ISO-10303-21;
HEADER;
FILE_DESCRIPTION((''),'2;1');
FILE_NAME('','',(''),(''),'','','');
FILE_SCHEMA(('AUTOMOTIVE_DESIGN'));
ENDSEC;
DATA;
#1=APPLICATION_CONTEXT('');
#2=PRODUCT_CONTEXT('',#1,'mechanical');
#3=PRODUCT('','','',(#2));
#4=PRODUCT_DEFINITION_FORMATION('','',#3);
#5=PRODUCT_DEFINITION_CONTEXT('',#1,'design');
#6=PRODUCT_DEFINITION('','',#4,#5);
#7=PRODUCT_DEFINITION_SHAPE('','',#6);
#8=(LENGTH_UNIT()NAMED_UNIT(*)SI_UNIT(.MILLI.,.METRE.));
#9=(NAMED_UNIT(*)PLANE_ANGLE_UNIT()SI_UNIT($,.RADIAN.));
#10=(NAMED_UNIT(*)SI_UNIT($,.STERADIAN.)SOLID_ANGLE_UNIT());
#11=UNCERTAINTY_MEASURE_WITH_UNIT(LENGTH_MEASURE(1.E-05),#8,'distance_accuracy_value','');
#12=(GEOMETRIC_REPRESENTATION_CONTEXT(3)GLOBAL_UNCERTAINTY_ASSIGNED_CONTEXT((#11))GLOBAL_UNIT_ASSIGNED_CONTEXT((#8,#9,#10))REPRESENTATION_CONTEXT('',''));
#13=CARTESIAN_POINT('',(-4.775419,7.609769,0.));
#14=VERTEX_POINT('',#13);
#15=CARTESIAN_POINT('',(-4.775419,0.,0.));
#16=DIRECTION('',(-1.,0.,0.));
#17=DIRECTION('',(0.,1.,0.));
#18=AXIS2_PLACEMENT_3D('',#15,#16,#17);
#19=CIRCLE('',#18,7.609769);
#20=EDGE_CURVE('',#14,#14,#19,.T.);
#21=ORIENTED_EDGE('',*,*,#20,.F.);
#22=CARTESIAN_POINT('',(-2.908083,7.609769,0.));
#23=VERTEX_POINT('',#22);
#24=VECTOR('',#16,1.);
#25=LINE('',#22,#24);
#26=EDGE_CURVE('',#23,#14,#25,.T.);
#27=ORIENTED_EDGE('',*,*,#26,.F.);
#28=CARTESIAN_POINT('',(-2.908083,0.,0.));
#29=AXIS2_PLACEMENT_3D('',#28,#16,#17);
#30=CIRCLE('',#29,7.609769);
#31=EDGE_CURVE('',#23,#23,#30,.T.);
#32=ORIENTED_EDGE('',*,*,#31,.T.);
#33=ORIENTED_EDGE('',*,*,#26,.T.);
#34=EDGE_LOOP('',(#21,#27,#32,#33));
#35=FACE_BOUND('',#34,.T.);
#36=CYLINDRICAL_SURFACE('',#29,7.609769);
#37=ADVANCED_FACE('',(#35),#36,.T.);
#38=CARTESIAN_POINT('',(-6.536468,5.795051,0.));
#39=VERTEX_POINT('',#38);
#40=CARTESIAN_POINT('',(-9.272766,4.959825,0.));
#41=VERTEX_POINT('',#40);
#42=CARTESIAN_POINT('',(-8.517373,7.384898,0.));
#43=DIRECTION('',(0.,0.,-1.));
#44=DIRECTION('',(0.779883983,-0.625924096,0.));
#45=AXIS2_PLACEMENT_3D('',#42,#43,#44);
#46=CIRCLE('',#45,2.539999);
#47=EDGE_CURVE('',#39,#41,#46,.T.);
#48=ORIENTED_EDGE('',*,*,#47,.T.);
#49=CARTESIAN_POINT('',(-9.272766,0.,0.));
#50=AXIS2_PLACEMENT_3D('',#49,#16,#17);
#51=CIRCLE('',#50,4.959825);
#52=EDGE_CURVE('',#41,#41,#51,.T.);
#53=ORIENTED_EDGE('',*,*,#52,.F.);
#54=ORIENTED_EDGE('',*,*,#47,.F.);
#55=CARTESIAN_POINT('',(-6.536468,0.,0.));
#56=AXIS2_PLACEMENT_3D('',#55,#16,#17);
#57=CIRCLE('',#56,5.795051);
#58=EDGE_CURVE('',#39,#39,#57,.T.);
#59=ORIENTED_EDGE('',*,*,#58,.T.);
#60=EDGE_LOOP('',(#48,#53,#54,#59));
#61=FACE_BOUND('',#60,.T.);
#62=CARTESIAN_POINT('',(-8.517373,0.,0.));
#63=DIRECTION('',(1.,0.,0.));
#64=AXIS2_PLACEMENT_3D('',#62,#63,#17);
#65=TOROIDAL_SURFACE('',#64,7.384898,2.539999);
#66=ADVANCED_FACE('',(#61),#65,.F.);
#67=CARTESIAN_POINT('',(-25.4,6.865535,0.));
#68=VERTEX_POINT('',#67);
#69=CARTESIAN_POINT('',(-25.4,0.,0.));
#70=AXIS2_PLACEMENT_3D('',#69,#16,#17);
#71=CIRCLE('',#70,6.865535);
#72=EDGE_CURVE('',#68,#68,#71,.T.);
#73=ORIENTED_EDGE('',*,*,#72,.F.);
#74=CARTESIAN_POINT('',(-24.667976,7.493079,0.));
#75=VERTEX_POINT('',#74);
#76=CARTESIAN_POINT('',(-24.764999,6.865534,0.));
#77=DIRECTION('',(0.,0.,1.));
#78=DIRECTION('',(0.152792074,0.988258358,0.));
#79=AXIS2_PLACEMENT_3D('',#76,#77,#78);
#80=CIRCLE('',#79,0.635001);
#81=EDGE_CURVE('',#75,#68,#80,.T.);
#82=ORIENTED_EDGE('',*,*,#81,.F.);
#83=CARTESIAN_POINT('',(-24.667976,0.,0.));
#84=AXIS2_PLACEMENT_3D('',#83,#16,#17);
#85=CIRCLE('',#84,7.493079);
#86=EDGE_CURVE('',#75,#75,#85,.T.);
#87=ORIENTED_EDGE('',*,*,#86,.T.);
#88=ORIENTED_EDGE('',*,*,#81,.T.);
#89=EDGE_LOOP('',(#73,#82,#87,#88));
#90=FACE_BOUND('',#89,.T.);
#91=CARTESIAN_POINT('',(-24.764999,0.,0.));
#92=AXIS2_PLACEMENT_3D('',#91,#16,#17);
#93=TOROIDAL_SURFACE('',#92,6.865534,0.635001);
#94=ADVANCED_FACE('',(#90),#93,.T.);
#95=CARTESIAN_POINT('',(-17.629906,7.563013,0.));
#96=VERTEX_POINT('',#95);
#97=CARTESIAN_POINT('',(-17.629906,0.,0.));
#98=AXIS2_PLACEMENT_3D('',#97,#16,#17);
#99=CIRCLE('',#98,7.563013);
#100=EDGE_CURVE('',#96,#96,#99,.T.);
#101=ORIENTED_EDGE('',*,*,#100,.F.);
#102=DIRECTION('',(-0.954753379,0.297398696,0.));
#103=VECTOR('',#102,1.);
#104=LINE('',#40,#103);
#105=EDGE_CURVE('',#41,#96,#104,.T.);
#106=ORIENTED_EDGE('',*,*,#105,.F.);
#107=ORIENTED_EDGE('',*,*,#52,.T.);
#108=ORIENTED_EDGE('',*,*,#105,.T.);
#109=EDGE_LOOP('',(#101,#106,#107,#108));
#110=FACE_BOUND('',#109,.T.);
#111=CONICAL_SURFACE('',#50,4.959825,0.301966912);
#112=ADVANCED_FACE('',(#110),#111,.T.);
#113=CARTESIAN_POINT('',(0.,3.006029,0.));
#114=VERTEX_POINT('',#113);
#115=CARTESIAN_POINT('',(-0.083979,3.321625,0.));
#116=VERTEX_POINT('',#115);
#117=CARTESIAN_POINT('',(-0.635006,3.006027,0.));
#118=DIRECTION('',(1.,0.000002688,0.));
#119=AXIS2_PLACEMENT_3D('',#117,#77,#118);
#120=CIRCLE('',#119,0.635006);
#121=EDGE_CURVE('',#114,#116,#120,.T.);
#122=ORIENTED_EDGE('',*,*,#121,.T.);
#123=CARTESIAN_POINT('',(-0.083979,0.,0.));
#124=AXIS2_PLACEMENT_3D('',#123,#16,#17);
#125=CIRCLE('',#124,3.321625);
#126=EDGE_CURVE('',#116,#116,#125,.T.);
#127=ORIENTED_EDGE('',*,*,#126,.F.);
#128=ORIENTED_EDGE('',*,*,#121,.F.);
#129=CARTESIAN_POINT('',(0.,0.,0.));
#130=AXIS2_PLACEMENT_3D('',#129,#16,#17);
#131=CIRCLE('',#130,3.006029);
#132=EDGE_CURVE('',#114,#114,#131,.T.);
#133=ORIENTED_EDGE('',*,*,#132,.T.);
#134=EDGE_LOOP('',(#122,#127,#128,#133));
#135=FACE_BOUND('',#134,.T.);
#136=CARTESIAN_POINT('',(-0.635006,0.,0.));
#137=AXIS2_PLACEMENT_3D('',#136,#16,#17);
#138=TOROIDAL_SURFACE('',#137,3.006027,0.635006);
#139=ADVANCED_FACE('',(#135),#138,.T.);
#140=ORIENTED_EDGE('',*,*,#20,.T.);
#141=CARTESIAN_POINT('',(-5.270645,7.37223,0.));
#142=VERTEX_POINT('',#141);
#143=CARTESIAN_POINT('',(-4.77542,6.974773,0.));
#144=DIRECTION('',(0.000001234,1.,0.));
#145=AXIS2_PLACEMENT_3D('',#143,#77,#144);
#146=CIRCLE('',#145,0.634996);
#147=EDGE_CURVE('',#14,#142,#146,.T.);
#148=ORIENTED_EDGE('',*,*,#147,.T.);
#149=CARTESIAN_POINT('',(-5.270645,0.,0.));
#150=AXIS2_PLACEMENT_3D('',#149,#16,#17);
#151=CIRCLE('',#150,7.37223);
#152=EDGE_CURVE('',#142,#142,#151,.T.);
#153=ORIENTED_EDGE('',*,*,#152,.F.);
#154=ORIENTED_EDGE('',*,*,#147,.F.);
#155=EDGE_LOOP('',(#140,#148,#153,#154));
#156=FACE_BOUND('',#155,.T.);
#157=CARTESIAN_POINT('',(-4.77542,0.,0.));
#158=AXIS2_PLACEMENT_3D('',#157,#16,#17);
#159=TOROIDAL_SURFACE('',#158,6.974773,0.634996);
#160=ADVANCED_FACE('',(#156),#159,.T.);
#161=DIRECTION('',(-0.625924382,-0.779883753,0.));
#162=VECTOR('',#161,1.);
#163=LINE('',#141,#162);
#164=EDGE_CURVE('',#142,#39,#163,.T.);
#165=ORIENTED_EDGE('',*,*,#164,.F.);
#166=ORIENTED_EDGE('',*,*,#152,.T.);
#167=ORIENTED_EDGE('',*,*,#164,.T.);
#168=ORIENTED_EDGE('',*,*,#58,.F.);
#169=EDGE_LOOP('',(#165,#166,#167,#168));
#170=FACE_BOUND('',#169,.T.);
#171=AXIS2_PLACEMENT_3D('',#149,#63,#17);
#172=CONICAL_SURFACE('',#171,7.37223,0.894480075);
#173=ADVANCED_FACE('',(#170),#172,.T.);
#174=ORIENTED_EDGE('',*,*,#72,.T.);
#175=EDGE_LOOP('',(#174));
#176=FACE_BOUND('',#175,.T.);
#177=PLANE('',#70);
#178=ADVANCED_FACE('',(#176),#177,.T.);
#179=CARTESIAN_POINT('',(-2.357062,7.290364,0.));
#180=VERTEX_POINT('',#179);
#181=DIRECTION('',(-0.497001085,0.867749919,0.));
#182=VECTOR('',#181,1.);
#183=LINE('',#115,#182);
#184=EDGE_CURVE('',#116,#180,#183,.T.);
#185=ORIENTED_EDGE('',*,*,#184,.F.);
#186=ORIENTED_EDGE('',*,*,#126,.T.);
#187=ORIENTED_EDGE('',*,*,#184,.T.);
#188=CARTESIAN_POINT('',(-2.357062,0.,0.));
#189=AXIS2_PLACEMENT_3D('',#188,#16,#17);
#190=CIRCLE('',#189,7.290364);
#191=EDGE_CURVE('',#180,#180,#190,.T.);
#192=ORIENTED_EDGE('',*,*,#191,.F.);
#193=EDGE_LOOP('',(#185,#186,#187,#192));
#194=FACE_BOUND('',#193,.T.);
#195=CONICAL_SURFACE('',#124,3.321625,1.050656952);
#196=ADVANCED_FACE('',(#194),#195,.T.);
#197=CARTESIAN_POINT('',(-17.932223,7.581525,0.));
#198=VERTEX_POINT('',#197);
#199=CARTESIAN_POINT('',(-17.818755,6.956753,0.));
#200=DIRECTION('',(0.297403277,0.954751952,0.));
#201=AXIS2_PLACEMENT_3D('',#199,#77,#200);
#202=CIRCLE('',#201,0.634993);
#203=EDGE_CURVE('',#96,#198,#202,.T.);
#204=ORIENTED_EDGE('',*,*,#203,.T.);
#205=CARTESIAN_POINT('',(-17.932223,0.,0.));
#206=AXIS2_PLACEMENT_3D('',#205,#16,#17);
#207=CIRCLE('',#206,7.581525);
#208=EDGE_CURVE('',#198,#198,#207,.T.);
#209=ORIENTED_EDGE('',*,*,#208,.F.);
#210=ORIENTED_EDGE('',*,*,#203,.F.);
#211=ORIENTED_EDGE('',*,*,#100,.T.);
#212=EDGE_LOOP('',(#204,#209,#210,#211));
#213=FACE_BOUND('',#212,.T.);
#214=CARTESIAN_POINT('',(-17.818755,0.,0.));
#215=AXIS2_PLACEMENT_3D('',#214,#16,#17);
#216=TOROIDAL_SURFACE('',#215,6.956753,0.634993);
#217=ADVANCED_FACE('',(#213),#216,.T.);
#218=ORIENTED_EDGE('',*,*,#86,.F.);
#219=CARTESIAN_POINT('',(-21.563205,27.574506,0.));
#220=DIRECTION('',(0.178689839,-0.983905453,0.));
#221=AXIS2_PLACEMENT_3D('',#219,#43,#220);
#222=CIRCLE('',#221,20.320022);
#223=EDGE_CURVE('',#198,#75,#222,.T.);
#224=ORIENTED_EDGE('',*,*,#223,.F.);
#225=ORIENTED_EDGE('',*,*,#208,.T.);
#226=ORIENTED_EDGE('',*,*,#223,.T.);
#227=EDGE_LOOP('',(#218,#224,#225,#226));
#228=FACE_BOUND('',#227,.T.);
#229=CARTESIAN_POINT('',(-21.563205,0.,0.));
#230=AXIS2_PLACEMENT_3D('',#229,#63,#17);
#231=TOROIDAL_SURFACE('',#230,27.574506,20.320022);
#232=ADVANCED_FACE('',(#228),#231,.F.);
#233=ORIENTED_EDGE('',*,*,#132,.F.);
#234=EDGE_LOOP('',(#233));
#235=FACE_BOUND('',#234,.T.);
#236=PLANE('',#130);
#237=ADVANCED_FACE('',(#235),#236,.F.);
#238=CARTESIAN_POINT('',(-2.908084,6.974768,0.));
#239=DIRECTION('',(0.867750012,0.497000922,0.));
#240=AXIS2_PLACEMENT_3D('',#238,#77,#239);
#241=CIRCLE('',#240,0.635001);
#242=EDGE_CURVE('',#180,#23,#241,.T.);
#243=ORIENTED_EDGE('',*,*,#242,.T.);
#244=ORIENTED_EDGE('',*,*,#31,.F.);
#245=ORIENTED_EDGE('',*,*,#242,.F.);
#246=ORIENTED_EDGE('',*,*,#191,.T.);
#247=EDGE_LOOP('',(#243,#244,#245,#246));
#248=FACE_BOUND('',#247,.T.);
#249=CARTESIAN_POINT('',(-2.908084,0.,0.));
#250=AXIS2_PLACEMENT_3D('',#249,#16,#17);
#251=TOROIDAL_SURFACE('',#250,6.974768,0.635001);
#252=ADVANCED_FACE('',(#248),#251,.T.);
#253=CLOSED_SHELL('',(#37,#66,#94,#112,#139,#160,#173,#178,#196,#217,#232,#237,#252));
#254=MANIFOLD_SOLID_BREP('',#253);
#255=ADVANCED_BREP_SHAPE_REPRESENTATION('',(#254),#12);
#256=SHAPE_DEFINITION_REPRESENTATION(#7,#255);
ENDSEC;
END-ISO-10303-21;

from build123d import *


with BuildPart() as f1:
    # F0 (on Top) → F1 (revolve)
    with BuildSketch(Plane.XY):
        with BuildLine():
            Line((-25.4, 0), (0, 0))
            Line((0, 0), (0, 3.006029))
            ThreePointArc((0, 3.006029), (-0.021354, 3.169318), (-0.083979, 3.321625))
            Line((-0.083979, 3.321625), (-2.357062, 7.290364))
            ThreePointArc((-2.357062, 7.290364), (-2.589633, 7.524145), (-2.908083, 7.609769))
            Line((-2.908083, 7.609769), (-4.775419, 7.609769))
            ThreePointArc((-4.775419, 7.609769), (-5.050043, 7.547313), (-5.270645, 7.37223))
            Line((-5.270645, 7.37223), (-6.536468, 5.795051))
            ThreePointArc((-6.536468, 5.795051), (-7.77584, 4.955551), (-9.272766, 4.959825))
            Line((-9.272766, 4.959825), (-17.629906, 7.563013))
            ThreePointArc((-17.629906, 7.563013), (-17.779944, 7.590558), (-17.932223, 7.581525))
            ThreePointArc((-17.932223, 7.581525), (-21.296409, 7.256235), (-24.667976, 7.493079))
            ThreePointArc((-24.667976, 7.493079), (-25.178288, 7.347632), (-25.4, 6.865535))
            Line((-25.4, 6.865535), (-25.4, 0))
        make_face()
    revolve(axis=Axis((-12.7, 0, 0), (-1, 0, 0)))


solid = f1.part
